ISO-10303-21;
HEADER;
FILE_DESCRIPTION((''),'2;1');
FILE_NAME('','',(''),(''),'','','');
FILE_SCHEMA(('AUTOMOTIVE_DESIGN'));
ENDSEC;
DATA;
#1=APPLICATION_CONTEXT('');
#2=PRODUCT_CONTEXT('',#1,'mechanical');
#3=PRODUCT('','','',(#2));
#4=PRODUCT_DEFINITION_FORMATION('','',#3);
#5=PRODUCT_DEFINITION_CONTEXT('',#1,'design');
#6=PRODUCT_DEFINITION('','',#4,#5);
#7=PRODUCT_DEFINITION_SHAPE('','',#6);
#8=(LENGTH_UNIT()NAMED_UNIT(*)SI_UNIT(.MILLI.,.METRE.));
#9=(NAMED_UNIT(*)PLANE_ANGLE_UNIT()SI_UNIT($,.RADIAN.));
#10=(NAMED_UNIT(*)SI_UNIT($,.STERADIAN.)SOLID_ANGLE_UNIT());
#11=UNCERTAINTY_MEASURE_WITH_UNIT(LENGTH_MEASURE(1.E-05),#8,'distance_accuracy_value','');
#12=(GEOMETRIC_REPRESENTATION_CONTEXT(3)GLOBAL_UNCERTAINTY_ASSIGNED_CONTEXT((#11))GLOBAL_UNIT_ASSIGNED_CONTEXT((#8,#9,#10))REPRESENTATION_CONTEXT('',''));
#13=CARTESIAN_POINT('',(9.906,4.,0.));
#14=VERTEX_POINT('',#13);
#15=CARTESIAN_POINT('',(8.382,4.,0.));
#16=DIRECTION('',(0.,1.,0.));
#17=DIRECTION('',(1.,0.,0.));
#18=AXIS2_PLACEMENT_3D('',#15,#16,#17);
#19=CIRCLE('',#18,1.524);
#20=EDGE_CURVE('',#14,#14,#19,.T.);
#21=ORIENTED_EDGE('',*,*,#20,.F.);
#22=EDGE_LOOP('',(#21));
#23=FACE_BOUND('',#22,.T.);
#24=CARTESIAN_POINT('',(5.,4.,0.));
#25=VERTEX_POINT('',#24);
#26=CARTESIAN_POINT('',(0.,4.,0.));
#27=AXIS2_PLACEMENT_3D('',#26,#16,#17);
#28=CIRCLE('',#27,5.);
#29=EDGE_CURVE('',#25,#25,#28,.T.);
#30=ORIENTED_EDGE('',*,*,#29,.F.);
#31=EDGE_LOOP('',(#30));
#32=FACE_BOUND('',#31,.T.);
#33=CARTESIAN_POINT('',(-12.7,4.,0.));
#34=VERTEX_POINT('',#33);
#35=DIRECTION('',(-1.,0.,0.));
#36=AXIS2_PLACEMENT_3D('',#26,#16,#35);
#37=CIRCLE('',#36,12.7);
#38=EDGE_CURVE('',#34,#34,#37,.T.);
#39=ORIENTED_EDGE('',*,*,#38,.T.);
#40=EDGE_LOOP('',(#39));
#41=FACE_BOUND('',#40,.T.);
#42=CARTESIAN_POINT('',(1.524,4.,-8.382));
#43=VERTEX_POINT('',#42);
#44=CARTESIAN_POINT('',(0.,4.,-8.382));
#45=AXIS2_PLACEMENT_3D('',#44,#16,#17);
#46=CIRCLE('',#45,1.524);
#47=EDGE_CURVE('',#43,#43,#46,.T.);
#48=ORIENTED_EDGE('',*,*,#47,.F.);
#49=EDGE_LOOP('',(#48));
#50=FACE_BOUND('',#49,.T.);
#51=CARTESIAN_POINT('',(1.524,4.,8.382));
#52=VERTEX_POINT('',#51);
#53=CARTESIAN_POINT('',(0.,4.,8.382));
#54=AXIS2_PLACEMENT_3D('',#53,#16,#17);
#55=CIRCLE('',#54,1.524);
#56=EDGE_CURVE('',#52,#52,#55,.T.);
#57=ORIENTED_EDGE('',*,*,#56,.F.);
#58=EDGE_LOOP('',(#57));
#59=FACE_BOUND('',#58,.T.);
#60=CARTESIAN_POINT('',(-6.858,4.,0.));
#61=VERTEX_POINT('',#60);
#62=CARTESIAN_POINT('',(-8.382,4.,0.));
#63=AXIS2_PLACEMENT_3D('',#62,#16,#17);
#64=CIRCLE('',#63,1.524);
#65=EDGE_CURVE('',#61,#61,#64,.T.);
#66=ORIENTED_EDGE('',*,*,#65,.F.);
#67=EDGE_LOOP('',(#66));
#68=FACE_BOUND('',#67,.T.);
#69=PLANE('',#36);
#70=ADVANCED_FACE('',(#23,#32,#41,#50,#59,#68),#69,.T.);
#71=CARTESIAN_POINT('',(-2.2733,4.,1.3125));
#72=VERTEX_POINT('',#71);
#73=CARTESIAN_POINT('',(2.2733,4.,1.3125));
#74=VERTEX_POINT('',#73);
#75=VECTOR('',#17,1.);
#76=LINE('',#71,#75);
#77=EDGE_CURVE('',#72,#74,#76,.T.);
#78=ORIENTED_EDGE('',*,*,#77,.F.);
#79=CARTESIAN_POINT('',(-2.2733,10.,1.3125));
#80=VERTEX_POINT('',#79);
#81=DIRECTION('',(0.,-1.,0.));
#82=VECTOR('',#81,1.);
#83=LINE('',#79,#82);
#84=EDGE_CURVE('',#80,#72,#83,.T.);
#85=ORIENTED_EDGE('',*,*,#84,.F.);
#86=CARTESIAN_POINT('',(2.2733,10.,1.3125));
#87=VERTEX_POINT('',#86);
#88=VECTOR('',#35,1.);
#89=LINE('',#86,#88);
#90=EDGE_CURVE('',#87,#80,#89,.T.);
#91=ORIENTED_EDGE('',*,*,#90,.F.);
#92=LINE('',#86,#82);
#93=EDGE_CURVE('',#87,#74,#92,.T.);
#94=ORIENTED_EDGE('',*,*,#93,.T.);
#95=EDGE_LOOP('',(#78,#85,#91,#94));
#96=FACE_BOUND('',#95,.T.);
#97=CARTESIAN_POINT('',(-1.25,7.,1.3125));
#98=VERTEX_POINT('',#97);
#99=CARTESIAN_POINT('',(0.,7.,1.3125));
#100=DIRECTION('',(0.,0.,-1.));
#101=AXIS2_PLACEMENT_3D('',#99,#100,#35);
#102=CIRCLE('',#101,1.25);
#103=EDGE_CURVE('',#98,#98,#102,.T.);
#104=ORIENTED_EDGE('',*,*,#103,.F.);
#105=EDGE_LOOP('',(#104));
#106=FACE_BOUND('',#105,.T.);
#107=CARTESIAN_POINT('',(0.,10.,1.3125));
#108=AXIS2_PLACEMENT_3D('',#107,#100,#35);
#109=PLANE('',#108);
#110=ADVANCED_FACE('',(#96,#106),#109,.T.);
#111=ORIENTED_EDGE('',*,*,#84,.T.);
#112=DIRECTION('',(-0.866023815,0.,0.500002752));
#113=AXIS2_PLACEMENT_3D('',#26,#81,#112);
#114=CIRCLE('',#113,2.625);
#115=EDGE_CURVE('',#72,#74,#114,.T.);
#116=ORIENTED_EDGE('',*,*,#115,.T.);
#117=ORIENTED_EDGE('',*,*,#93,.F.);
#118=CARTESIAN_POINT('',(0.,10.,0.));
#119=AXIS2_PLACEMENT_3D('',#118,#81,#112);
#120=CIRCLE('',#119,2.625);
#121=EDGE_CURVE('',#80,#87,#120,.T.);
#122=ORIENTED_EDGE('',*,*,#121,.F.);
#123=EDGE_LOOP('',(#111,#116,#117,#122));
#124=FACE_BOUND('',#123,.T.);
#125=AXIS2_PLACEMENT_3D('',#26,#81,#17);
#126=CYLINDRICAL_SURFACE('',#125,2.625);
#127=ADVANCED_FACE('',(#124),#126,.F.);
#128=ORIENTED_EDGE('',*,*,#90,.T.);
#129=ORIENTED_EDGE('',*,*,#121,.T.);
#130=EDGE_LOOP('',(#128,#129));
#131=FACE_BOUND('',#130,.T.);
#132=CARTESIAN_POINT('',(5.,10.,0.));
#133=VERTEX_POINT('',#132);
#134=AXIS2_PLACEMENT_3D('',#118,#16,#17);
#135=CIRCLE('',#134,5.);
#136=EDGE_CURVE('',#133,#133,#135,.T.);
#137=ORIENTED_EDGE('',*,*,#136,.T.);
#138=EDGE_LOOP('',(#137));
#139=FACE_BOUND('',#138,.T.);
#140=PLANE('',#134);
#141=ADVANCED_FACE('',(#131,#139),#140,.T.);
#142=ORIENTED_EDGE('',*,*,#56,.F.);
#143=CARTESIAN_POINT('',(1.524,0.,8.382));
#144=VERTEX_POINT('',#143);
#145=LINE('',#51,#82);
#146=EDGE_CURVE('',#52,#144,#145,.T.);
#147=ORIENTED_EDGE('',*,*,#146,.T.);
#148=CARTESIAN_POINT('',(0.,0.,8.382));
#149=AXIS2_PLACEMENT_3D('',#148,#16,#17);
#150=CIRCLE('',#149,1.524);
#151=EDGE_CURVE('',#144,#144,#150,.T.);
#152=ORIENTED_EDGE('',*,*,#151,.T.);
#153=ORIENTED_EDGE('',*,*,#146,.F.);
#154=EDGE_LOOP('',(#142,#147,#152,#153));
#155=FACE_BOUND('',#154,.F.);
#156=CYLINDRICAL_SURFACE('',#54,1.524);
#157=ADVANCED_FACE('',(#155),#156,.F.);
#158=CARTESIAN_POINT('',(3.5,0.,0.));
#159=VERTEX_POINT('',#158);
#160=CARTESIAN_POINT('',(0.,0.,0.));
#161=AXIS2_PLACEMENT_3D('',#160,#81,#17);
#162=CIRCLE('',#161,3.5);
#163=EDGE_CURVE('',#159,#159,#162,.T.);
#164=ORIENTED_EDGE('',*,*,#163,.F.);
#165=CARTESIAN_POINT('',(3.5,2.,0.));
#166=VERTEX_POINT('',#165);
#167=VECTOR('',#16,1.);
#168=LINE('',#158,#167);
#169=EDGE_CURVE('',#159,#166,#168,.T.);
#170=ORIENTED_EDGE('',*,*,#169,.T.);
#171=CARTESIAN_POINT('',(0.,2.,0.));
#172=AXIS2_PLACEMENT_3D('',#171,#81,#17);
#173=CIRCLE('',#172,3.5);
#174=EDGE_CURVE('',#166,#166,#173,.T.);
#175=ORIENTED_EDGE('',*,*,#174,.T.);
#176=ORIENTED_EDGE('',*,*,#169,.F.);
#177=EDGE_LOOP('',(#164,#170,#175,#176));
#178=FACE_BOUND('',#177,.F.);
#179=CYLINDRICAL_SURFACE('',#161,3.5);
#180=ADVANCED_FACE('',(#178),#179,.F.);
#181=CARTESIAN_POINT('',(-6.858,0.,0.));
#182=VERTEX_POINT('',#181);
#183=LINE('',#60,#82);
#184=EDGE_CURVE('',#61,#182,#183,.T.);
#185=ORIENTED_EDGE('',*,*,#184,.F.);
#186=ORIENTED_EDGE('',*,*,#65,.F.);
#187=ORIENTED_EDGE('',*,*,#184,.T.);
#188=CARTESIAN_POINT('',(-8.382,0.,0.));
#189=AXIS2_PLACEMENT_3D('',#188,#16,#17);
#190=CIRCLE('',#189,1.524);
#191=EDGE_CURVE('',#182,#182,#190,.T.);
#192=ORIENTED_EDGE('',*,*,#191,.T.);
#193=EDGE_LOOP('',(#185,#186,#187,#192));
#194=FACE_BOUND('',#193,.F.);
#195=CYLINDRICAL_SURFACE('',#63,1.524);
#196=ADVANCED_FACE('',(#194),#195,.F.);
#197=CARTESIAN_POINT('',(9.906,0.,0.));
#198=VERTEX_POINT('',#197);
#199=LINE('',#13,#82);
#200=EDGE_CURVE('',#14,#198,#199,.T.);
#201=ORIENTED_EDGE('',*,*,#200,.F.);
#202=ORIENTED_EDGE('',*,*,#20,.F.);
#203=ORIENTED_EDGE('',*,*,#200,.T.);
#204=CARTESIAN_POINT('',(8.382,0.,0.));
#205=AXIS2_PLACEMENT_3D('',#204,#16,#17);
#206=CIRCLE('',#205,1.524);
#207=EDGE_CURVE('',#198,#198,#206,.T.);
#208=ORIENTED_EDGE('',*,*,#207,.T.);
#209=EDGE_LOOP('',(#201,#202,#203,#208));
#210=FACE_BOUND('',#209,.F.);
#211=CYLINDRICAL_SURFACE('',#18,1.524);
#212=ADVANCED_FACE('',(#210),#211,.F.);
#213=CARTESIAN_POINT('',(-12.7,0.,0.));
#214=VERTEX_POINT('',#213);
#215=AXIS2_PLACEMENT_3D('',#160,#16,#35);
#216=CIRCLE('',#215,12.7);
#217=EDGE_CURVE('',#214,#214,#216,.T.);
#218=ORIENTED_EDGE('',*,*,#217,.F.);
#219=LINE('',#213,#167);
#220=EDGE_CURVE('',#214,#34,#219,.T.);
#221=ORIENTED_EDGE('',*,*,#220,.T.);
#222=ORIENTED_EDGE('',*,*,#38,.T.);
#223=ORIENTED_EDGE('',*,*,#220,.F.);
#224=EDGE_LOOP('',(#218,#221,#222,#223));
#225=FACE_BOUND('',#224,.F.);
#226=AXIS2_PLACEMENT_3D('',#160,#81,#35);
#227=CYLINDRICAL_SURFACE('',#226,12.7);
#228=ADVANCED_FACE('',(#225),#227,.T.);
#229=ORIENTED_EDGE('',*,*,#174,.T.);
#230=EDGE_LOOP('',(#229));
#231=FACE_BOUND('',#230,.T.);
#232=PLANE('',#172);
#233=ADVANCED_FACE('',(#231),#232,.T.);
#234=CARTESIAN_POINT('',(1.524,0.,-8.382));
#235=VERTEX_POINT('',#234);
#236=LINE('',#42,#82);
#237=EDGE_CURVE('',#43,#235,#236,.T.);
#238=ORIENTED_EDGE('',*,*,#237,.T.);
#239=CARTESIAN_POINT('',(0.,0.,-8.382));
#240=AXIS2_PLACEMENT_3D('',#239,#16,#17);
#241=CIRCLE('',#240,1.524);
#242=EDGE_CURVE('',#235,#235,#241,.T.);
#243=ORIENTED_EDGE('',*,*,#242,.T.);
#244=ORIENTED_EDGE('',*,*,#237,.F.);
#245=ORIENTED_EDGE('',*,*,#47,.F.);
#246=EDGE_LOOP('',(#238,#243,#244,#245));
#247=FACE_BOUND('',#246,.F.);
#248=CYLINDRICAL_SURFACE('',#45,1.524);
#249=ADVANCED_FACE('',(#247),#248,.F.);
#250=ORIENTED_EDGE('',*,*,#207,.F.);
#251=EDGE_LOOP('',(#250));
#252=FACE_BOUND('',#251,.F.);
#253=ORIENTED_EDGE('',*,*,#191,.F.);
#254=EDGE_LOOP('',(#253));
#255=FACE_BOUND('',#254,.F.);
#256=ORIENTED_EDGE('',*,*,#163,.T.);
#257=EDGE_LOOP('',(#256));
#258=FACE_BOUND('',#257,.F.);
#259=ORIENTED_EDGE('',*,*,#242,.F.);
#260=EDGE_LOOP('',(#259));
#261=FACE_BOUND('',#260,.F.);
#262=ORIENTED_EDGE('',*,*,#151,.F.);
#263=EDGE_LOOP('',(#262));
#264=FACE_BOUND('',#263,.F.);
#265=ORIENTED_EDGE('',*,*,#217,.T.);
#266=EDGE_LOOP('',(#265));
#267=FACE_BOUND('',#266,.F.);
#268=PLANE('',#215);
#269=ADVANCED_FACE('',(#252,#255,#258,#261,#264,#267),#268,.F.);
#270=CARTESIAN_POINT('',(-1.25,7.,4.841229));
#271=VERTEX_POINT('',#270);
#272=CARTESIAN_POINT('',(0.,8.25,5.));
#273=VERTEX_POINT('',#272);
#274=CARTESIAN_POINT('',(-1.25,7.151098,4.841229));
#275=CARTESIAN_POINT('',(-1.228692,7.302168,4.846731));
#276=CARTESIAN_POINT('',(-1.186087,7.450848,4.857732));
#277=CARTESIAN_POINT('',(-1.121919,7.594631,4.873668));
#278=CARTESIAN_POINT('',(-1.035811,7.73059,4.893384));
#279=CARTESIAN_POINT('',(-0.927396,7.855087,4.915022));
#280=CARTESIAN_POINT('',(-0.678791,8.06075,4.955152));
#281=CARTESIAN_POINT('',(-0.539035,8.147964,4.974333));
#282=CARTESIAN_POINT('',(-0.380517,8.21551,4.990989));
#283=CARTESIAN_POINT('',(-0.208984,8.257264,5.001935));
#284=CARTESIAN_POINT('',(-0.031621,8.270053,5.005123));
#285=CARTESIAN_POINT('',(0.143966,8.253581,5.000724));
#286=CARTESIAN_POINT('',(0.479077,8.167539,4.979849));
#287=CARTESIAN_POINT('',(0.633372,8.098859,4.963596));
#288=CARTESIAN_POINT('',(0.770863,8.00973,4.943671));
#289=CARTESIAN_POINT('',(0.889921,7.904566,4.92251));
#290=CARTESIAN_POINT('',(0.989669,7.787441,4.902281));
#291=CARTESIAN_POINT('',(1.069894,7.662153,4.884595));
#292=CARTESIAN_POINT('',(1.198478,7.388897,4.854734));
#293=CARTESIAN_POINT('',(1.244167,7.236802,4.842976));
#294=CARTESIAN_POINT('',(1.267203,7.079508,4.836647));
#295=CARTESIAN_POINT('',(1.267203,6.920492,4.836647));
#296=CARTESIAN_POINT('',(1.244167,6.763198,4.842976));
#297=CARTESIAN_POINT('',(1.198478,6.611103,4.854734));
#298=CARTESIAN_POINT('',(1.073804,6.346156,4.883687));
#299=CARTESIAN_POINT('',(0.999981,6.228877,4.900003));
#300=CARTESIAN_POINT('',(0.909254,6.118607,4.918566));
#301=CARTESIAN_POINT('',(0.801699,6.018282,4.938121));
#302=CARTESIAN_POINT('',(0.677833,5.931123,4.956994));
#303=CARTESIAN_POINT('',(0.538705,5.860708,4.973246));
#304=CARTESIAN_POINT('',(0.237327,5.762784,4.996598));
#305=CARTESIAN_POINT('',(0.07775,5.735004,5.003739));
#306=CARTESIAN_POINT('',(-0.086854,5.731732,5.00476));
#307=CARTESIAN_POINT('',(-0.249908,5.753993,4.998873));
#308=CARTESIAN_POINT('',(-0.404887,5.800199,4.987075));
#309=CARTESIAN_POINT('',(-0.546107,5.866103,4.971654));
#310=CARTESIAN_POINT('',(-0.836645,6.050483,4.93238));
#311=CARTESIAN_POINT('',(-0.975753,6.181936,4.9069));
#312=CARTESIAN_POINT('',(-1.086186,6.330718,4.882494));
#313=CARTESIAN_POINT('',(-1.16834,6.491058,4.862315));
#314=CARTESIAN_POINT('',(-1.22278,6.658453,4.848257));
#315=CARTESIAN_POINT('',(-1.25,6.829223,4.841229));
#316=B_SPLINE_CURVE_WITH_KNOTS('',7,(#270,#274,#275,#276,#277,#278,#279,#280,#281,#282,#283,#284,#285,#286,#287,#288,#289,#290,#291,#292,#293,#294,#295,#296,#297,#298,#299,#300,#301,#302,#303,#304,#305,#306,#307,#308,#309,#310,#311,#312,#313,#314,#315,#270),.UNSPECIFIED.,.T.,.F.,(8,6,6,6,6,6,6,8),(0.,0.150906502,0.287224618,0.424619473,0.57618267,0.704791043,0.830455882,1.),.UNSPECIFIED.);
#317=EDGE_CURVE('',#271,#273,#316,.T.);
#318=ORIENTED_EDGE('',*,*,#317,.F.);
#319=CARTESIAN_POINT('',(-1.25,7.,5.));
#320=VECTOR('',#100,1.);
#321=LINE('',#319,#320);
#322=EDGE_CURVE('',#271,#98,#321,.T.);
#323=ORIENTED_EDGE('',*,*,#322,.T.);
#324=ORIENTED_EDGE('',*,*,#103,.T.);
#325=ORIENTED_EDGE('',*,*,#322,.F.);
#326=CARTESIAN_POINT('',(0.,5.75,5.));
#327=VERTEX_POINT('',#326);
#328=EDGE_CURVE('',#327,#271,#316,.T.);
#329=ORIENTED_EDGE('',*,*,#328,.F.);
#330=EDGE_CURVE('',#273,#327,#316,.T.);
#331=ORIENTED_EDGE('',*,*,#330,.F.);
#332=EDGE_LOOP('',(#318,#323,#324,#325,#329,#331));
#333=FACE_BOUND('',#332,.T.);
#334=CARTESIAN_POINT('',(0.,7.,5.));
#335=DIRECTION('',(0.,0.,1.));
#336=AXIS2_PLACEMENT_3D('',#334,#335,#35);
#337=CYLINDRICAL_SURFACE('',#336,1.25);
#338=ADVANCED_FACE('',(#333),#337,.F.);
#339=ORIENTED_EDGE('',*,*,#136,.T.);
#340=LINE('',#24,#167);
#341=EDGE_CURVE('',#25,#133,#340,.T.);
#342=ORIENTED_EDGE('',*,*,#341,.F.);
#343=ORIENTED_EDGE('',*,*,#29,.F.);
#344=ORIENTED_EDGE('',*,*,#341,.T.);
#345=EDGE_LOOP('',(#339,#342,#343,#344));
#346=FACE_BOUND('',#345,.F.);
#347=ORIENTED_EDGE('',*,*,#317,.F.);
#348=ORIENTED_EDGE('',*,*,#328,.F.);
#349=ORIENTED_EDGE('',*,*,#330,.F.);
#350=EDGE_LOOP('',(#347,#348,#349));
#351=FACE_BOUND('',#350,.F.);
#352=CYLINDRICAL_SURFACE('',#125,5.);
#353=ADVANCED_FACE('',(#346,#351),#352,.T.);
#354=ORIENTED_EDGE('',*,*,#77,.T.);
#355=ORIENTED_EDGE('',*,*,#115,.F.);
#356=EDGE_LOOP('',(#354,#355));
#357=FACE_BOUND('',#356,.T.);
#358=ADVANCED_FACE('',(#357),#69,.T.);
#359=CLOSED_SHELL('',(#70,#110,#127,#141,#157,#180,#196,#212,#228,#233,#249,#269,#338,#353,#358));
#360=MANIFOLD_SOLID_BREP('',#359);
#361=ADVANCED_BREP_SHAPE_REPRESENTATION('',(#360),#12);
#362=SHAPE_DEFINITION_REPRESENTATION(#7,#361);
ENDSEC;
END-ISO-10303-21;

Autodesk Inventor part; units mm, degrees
ref_plane "YZ Plane" through (0, 0, 0) normal (1, 0, 0) x (0, 1, 0)
ref_plane "XZ Plane" through (0, 0, 0) normal (0, 1, 0) x (-1, 0, 0)
sketch "Sketch1" plane through (0, 0, 0) normal (0, 1, 0) x (-1, 0, 0)
  circle A0 centre (0, 0) radius 12.7
  dimension "d0" = 25.4
extrude "Extrusion1" add sketch "Sketch1" along normal blind 4
sketch "Sketch2" plane through (0, 4, 0) normal (0, 1, 0) x (1, 0, 0)
  circle A0 centre (0, 8.382) radius 1.524
  circle A1 centre (0, 0) radius 12.7 projected
  circle A2 centre (-8.382, 0) radius 1.524
  circle A3 centre (0, -8.382) radius 1.524
  circle A4 centre (8.382, 0) radius 1.524
  dimension "d7" = 360
extrude "Extrusion2" cut sketch "Sketch2" along normal mid plane 8 contours A0 | A2 | A3 | A4
sketch "Sketch10" plane through (0, 0, 0) normal (0, -1, 0) x (1, 0, 0)
  circle A0 centre (0, 0) radius 12.7 projected
  circle A1 centre (0, 0) radius 3.5
  dimension "d49" = 7
extrude "Extrusion9" cut sketch "Sketch10" against normal blind 2 contours A1
sketch "Sketch11" plane through (0, 4, 0) normal (0, 1, 0) x (1, 0, 0)
  circle A0 centre (0, 0) radius 3.5 projected
  circle A1 centre (0, 0) radius 5
  circle A2 centre (0, 0) radius 2.625
  dimension "d52" = 10
  dimension "d53" = 5.25
extrude "Extrusion10" add sketch "Sketch11" along normal blind 6 contours A0 | A1
sketch "Sketch12" plane through (0, 10, 0) normal (0, 1, 0) x (1, 0, 0)
  line L0 (0, -1.3125) -> (-2.2733, -1.3125)
  circle A0 centre (0, 0) radius 2.625 projected
  arc A1 (-2.2733, -1.3125) -> (2.2733, -1.3125) centre (0, 0) ccw
  line L1 (0, -1.3125) -> (2.2733, -1.3125)
  dimension "d56" = 1.3125
extrude "Extrusion11" add sketch "Sketch12" against normal up to surface (6 mm away) contours L1 A0 L0 picked at (1.3942, -1.4755)
ref_plane "Work Plane1" through (0, 4, 5) normal (0, 0, -1) x (-1, 0, 0)
sketch "Sketch13" plane through (0, 4, 5) normal (0, 0, -1) x (-1, 0, 0)
  line L0 (5, 6) -> (-5, 6) projected
  circle A0 centre (0, 3) radius 1.25
  point P0 (0, -4)
  dimension "d60" = 2.5
extrude "Extrusion12" cut sketch "Sketch13" along normal up to surface (3.6875 mm away)
properties part number "Horn_Attachment"
